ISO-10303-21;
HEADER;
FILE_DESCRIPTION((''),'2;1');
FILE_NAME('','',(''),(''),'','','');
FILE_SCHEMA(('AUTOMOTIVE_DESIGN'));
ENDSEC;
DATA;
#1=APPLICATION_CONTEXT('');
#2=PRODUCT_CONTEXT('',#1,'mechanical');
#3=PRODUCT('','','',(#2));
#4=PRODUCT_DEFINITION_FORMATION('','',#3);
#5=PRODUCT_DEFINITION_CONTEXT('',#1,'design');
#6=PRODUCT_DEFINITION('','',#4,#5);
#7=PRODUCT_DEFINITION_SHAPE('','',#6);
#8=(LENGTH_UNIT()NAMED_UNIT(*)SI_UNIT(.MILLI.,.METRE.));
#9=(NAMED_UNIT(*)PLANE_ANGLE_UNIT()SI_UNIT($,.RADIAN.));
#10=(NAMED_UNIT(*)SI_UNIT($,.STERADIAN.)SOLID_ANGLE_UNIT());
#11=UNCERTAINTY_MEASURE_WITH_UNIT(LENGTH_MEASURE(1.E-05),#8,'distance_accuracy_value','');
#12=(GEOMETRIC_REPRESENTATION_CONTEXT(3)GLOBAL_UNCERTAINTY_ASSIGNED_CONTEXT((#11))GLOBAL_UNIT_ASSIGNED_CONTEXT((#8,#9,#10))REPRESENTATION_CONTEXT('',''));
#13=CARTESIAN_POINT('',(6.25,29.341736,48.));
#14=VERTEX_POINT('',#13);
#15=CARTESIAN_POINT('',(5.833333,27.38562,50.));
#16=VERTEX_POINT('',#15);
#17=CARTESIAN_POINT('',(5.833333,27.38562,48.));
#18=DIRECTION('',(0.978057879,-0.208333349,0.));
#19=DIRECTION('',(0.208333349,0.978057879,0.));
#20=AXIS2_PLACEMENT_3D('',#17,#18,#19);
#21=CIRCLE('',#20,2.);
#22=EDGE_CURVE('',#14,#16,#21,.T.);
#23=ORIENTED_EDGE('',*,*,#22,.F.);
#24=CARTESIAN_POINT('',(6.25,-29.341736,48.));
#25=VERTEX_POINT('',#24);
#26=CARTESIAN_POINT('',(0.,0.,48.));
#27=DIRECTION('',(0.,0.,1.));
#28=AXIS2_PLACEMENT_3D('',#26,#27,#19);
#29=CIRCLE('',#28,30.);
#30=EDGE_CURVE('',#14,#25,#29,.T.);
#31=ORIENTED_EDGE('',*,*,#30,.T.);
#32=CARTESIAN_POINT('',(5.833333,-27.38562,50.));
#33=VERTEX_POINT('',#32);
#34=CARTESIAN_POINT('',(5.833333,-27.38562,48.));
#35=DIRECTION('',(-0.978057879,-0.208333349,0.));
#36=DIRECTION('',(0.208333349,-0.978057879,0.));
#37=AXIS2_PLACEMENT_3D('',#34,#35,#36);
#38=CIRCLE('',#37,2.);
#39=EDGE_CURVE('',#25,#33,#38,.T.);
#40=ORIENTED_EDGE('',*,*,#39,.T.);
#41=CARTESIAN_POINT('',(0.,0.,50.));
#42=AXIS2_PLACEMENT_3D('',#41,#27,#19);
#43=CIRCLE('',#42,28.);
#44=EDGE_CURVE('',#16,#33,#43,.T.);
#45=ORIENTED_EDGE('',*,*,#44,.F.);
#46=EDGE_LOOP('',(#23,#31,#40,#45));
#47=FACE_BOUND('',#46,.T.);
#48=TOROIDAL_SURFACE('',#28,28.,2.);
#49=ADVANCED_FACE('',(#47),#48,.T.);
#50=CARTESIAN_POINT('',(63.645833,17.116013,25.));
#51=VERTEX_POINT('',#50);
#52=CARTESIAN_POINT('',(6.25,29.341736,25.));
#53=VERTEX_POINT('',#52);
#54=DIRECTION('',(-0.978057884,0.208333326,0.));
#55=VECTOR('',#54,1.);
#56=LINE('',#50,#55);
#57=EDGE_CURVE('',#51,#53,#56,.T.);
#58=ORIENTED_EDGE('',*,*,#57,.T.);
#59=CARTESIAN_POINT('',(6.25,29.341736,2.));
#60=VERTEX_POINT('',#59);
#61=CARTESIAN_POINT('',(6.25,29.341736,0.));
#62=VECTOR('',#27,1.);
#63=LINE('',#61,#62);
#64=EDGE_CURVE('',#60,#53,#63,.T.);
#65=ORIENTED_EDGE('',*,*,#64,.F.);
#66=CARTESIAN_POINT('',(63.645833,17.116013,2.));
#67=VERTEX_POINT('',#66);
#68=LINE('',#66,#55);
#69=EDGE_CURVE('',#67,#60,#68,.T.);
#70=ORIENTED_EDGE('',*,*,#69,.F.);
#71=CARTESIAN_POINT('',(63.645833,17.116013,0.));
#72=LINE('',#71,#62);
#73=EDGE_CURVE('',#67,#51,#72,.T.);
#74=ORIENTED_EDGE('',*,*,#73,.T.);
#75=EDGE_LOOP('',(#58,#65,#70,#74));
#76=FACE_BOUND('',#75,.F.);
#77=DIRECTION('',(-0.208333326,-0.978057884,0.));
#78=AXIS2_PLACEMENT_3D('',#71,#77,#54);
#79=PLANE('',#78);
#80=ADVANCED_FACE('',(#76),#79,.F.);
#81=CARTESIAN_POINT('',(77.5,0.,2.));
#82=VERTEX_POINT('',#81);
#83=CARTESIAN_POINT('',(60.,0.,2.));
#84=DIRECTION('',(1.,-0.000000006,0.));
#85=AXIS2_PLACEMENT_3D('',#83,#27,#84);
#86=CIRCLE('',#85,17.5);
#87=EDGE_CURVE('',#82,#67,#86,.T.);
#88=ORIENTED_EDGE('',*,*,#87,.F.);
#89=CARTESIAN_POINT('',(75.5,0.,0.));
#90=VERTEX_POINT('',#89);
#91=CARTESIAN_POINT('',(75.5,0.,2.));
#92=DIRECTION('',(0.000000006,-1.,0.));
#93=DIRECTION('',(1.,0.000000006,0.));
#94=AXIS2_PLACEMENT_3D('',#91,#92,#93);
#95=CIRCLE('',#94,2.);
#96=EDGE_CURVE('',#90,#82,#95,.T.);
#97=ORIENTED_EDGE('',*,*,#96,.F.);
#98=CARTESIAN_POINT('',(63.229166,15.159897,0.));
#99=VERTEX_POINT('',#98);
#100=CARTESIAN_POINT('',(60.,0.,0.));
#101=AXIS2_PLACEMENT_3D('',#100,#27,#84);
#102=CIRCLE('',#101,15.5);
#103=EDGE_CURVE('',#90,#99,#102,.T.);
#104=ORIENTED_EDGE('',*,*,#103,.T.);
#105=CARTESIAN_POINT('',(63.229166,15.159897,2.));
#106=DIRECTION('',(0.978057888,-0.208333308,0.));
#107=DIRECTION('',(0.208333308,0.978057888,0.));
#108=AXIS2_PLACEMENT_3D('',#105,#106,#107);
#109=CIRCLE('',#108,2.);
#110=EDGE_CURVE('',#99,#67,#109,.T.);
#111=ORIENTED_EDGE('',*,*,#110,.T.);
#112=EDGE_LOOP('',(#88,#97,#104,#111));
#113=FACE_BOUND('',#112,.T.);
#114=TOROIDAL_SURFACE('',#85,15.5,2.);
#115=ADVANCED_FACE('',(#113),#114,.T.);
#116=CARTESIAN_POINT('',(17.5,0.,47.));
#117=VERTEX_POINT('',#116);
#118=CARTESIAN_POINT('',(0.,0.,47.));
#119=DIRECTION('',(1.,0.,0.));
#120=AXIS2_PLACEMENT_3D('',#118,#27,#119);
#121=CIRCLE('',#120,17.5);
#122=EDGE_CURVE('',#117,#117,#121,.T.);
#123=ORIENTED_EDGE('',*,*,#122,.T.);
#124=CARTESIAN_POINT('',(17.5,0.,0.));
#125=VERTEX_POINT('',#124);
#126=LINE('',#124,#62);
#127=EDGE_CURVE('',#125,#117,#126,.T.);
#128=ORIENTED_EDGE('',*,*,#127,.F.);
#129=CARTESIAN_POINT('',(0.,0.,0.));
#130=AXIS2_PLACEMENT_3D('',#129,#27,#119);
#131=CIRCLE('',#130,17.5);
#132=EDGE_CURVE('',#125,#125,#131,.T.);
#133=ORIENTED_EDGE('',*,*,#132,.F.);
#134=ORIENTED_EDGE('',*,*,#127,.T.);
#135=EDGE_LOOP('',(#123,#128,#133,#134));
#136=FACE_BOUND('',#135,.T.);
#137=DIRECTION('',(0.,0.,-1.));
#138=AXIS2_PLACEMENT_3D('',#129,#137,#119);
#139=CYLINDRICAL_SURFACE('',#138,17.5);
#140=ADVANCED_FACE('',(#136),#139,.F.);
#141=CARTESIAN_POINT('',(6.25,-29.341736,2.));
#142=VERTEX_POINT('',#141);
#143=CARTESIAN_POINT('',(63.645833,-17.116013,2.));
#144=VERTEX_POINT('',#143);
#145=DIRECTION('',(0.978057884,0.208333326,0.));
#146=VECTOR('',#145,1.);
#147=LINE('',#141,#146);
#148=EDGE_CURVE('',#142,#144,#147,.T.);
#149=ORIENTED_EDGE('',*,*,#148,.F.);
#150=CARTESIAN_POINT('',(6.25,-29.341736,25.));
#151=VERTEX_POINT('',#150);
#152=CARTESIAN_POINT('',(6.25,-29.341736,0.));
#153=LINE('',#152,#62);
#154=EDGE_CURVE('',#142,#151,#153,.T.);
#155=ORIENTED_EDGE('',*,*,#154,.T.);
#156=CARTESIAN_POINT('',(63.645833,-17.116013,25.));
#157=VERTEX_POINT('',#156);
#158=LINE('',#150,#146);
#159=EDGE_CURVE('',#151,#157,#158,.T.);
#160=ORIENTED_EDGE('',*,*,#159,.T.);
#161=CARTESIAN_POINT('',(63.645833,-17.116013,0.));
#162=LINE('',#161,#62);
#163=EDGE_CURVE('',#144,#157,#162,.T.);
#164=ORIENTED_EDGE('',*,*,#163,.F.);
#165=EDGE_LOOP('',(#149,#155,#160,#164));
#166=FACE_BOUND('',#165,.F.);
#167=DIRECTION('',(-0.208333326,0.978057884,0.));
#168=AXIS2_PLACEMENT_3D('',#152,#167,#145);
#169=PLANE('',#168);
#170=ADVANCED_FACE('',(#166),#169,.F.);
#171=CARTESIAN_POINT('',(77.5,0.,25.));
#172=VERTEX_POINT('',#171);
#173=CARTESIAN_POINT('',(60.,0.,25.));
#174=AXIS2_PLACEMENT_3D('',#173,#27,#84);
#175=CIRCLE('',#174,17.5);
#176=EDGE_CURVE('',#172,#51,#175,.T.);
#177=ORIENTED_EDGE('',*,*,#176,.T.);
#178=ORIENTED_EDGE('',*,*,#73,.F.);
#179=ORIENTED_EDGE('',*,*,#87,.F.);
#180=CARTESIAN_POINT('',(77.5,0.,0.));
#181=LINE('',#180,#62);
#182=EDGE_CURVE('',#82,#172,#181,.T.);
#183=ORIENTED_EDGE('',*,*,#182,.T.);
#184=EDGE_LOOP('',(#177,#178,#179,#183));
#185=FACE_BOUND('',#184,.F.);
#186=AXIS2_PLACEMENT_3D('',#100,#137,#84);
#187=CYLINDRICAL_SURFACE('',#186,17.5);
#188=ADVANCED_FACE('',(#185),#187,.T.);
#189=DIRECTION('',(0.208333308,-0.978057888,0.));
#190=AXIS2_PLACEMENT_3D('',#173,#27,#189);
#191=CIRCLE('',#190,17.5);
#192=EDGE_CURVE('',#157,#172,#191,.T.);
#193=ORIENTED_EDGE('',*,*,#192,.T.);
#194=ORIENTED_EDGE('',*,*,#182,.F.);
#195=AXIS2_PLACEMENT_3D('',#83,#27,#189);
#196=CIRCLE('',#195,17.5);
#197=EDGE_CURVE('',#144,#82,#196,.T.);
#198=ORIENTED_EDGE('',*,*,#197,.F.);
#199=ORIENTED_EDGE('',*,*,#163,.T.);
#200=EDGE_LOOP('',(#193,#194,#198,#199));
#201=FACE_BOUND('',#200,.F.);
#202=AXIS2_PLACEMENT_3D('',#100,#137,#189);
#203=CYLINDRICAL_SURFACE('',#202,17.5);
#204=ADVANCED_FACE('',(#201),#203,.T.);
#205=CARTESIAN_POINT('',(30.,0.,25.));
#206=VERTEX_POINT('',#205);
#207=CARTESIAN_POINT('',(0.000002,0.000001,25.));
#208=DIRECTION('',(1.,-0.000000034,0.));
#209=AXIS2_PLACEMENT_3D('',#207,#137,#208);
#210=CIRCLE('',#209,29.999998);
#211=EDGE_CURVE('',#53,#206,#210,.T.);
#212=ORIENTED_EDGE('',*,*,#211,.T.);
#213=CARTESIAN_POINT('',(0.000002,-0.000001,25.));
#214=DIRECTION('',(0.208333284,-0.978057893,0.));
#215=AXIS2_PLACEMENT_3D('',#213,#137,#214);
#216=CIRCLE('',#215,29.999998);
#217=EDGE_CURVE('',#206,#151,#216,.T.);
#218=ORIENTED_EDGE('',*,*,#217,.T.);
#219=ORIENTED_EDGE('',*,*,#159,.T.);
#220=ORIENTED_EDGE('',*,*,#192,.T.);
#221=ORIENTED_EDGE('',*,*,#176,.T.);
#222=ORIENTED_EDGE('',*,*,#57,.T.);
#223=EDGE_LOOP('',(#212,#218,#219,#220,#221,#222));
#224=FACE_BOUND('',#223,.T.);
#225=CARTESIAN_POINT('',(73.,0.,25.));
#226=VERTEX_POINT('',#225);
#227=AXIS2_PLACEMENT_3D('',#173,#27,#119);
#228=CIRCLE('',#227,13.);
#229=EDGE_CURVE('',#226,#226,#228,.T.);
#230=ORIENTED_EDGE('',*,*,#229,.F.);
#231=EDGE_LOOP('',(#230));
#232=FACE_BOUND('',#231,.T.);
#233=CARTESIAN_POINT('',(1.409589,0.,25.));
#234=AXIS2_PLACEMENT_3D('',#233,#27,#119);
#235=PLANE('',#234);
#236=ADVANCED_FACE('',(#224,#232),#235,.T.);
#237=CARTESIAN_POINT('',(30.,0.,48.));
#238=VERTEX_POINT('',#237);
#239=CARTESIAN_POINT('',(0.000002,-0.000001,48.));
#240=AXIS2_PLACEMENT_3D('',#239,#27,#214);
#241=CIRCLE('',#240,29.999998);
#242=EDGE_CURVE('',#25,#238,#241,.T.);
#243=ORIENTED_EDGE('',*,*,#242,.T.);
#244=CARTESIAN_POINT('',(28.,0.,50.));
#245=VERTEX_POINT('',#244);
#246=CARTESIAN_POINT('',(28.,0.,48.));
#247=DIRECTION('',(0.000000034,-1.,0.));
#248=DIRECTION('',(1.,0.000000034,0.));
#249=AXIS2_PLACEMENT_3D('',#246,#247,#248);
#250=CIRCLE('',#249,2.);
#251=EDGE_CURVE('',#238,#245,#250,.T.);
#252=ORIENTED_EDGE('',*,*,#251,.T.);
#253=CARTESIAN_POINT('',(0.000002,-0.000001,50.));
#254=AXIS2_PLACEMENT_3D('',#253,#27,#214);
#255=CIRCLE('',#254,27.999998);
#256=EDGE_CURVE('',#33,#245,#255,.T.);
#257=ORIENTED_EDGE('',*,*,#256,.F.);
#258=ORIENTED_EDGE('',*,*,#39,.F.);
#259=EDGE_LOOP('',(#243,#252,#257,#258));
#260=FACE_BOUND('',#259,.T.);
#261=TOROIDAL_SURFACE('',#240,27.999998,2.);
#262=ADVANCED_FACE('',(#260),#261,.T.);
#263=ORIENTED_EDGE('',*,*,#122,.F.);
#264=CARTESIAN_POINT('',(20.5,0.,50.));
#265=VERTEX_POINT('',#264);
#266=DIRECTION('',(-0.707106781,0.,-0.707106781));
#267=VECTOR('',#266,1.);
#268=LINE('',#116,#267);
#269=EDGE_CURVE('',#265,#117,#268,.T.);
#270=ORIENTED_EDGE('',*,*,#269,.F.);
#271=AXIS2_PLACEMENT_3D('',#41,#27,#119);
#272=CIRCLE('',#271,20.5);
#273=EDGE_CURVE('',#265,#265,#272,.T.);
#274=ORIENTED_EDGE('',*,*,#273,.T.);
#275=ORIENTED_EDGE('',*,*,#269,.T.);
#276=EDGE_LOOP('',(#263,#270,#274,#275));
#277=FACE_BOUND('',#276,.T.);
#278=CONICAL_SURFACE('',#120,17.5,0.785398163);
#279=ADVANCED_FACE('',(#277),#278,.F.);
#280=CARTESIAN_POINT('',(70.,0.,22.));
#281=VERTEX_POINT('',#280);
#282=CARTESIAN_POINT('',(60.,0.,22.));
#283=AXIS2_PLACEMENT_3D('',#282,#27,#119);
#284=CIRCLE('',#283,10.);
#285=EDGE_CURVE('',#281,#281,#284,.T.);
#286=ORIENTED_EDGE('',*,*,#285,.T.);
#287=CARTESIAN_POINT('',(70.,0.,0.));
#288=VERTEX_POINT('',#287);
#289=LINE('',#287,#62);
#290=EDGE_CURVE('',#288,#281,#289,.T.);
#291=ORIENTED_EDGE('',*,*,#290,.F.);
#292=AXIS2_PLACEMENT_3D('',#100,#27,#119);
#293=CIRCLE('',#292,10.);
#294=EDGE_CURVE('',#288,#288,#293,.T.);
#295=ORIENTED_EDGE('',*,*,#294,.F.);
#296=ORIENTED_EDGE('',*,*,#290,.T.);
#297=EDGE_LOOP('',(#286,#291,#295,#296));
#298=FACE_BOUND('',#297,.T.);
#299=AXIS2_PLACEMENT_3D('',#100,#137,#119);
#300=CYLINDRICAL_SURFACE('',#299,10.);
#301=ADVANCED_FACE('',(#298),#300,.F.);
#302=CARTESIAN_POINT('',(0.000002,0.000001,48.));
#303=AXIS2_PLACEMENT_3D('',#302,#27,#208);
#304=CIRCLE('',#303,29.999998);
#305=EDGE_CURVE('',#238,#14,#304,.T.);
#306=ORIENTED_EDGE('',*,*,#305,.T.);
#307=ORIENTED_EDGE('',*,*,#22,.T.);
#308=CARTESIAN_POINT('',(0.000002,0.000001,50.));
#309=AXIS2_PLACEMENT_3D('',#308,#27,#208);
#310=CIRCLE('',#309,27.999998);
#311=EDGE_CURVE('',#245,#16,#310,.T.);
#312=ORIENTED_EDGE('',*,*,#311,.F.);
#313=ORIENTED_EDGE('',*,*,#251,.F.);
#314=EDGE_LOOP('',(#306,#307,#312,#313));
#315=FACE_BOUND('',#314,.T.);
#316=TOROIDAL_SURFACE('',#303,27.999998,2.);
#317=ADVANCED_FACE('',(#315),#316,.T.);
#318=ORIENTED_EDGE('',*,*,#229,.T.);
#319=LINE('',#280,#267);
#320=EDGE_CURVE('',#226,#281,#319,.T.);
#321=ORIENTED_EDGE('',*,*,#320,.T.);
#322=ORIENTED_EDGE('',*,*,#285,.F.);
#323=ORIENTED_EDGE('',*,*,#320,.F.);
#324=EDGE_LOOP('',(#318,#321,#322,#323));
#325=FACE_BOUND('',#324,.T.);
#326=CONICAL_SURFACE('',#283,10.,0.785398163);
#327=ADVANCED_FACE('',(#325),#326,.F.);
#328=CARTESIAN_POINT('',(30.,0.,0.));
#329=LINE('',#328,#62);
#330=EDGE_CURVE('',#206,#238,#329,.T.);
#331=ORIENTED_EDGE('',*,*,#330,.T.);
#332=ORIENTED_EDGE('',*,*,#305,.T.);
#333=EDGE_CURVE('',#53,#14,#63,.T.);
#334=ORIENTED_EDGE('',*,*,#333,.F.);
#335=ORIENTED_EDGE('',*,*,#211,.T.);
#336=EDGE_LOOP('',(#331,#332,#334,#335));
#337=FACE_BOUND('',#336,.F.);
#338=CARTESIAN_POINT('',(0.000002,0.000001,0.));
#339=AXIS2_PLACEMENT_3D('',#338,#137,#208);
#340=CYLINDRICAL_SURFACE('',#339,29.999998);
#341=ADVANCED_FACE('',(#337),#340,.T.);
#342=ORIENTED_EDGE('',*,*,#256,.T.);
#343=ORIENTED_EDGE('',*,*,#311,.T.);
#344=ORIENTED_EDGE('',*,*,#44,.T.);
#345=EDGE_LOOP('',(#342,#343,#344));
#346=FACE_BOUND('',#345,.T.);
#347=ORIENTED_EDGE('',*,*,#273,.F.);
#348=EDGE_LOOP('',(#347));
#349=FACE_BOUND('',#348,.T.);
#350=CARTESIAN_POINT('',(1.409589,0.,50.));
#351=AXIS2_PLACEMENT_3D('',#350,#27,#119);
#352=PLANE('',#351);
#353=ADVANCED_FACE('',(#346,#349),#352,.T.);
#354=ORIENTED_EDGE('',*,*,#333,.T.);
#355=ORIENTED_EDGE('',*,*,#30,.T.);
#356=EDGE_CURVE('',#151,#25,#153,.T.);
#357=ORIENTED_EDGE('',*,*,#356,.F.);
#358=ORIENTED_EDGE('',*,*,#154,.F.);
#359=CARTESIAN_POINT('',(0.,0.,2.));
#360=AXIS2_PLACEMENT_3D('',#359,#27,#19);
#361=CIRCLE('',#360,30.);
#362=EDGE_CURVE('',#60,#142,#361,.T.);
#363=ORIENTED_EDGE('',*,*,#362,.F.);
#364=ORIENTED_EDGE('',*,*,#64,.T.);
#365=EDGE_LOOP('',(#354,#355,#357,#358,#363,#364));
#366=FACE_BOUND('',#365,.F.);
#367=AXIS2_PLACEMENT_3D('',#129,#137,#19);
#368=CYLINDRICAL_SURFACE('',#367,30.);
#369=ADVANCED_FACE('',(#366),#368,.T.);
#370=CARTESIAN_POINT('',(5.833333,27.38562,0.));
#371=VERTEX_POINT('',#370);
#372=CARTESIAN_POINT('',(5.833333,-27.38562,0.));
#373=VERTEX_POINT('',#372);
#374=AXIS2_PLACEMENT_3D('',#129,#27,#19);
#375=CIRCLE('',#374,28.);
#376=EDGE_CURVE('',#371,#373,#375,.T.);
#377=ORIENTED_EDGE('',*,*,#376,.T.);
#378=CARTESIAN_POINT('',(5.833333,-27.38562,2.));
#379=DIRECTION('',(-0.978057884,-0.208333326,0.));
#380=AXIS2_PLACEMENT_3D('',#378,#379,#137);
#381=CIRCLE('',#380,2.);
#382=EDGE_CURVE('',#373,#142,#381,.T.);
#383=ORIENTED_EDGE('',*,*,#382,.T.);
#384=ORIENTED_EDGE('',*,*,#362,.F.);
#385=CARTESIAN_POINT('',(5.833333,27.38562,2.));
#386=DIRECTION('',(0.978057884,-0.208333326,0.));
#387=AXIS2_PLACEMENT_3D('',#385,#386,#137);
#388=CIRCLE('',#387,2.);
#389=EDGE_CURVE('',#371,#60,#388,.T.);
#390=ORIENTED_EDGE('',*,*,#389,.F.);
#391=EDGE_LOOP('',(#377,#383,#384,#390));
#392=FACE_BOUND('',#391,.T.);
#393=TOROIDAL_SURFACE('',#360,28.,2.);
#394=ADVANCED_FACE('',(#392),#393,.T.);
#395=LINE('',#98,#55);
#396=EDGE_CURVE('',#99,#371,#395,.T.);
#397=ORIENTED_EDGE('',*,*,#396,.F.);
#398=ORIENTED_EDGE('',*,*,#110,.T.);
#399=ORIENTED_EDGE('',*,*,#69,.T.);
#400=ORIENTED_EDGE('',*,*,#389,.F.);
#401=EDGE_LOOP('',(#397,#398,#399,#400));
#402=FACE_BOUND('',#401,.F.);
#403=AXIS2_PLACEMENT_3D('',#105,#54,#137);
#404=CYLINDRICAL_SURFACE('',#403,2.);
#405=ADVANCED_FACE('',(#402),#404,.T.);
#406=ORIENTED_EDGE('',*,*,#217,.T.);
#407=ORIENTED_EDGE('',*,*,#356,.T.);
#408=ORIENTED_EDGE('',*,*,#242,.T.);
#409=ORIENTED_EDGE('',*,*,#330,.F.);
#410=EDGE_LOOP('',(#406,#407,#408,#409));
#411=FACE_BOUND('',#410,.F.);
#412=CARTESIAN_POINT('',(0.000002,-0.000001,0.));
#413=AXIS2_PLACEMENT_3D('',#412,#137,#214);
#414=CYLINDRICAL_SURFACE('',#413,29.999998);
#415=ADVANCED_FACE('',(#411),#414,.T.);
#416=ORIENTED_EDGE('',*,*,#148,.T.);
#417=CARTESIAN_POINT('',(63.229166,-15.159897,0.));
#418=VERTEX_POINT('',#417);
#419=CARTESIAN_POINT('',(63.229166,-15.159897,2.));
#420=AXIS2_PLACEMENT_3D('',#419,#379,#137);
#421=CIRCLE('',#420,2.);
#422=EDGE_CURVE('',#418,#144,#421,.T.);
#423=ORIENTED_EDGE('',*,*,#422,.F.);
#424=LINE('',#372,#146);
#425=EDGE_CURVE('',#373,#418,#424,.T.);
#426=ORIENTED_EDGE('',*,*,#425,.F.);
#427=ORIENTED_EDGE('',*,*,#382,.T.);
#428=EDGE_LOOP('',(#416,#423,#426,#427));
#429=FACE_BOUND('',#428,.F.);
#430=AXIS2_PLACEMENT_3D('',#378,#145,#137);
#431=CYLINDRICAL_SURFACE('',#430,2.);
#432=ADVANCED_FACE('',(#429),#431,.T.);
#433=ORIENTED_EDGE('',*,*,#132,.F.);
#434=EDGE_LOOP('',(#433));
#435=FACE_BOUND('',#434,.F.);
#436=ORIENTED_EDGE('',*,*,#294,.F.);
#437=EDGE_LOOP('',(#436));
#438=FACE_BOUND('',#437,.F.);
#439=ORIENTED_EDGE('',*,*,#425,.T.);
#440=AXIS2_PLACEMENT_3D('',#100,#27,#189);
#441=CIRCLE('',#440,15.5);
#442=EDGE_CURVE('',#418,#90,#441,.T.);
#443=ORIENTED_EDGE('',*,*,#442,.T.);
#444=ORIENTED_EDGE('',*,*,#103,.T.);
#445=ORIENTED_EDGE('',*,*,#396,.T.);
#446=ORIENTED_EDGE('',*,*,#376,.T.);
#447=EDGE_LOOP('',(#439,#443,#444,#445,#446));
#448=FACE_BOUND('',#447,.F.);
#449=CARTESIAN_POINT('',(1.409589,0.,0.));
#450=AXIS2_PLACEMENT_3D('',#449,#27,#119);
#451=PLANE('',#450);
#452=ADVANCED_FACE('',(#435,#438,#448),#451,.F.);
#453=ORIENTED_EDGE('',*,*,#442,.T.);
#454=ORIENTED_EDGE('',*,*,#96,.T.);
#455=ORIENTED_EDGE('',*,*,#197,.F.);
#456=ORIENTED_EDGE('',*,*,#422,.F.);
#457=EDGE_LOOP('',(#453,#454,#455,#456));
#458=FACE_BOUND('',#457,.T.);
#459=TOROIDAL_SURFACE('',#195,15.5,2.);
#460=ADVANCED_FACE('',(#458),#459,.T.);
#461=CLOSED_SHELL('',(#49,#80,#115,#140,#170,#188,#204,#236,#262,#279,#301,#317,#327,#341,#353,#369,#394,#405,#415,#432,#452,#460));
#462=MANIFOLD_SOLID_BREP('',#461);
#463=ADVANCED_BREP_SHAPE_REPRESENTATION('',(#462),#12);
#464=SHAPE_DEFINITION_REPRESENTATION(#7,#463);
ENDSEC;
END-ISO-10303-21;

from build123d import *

# Parameters (mm, degrees)
F0_R     = 17.5
F0_R_2   = 10
F1_DEPTH = 25
F2_DEPTH = 50
F3_R     = 2
F4_SIZE  = 3


with BuildPart() as f1:
    # F0 (on Top) → F1 (new body)
    with BuildSketch(Plane.XY):
        with BuildLine():
            ThreePointArc((6.25, -29.341736), (23.318448, -18.874586), (30, 0))
            ThreePointArc((30, 0), (23.318448, 18.874586), (6.25, 29.341736))
            ThreePointArc((6.25, 29.341736), (-30, 0), (6.25, -29.341736))
        make_face()
        Circle(F0_R, mode=Mode.SUBTRACT)
        with BuildLine():
            ThreePointArc((6.25, 29.341736), (23.318448, 18.874586), (30, 0))
            ThreePointArc((30, 0), (23.318448, -18.874586), (6.25, -29.341736))
            Line((6.25, -29.341736), (63.645833, -17.116013))
            ThreePointArc((63.645833, -17.116013), (42.5, 0), (63.645833, 17.116013))
            Line((63.645833, 17.116013), (6.25, 29.341736))
        make_face()
        with BuildLine():
            ThreePointArc((77.5, 0), (73.602428, 11.010175), (63.645833, 17.116013))
            ThreePointArc((63.645833, 17.116013), (42.5, 0), (63.645833, -17.116013))
            ThreePointArc((63.645833, -17.116013), (73.602428, -11.010175), (77.5, 0))
        make_face()
        with Locations((60, 0)):
            Circle(F0_R_2, mode=Mode.SUBTRACT)
    extrude(amount=F1_DEPTH)

    # F0 (on Top) → F2 (join)
    with BuildSketch(Plane.XY):
        with BuildLine():
            ThreePointArc((6.25, -29.341736), (23.318448, -18.874586), (30, 0))
            ThreePointArc((30, 0), (23.318448, 18.874586), (6.25, 29.341736))
            ThreePointArc((6.25, 29.341736), (-30, 0), (6.25, -29.341736))
        make_face()
        Circle(F0_R, mode=Mode.SUBTRACT)
    extrude(amount=F2_DEPTH)

    # F3
    f3_edges = [f1.edges().sort_by_distance(p)[0] for p in [
        (-6.25, 29.341736, 50),
        (34.947917, -23.228875, 0),
        (34.947917, 23.228875, 0),
    ]]
    fillet(f3_edges, radius=F3_R)

    # F4
    f4_edges = [f1.edges().sort_by_distance(p)[0] for p in [
        (-17.5, 0, 50),
        (50, 0, 25),
    ]]
    chamfer(f4_edges, length=F4_SIZE)


solid = f1.part
